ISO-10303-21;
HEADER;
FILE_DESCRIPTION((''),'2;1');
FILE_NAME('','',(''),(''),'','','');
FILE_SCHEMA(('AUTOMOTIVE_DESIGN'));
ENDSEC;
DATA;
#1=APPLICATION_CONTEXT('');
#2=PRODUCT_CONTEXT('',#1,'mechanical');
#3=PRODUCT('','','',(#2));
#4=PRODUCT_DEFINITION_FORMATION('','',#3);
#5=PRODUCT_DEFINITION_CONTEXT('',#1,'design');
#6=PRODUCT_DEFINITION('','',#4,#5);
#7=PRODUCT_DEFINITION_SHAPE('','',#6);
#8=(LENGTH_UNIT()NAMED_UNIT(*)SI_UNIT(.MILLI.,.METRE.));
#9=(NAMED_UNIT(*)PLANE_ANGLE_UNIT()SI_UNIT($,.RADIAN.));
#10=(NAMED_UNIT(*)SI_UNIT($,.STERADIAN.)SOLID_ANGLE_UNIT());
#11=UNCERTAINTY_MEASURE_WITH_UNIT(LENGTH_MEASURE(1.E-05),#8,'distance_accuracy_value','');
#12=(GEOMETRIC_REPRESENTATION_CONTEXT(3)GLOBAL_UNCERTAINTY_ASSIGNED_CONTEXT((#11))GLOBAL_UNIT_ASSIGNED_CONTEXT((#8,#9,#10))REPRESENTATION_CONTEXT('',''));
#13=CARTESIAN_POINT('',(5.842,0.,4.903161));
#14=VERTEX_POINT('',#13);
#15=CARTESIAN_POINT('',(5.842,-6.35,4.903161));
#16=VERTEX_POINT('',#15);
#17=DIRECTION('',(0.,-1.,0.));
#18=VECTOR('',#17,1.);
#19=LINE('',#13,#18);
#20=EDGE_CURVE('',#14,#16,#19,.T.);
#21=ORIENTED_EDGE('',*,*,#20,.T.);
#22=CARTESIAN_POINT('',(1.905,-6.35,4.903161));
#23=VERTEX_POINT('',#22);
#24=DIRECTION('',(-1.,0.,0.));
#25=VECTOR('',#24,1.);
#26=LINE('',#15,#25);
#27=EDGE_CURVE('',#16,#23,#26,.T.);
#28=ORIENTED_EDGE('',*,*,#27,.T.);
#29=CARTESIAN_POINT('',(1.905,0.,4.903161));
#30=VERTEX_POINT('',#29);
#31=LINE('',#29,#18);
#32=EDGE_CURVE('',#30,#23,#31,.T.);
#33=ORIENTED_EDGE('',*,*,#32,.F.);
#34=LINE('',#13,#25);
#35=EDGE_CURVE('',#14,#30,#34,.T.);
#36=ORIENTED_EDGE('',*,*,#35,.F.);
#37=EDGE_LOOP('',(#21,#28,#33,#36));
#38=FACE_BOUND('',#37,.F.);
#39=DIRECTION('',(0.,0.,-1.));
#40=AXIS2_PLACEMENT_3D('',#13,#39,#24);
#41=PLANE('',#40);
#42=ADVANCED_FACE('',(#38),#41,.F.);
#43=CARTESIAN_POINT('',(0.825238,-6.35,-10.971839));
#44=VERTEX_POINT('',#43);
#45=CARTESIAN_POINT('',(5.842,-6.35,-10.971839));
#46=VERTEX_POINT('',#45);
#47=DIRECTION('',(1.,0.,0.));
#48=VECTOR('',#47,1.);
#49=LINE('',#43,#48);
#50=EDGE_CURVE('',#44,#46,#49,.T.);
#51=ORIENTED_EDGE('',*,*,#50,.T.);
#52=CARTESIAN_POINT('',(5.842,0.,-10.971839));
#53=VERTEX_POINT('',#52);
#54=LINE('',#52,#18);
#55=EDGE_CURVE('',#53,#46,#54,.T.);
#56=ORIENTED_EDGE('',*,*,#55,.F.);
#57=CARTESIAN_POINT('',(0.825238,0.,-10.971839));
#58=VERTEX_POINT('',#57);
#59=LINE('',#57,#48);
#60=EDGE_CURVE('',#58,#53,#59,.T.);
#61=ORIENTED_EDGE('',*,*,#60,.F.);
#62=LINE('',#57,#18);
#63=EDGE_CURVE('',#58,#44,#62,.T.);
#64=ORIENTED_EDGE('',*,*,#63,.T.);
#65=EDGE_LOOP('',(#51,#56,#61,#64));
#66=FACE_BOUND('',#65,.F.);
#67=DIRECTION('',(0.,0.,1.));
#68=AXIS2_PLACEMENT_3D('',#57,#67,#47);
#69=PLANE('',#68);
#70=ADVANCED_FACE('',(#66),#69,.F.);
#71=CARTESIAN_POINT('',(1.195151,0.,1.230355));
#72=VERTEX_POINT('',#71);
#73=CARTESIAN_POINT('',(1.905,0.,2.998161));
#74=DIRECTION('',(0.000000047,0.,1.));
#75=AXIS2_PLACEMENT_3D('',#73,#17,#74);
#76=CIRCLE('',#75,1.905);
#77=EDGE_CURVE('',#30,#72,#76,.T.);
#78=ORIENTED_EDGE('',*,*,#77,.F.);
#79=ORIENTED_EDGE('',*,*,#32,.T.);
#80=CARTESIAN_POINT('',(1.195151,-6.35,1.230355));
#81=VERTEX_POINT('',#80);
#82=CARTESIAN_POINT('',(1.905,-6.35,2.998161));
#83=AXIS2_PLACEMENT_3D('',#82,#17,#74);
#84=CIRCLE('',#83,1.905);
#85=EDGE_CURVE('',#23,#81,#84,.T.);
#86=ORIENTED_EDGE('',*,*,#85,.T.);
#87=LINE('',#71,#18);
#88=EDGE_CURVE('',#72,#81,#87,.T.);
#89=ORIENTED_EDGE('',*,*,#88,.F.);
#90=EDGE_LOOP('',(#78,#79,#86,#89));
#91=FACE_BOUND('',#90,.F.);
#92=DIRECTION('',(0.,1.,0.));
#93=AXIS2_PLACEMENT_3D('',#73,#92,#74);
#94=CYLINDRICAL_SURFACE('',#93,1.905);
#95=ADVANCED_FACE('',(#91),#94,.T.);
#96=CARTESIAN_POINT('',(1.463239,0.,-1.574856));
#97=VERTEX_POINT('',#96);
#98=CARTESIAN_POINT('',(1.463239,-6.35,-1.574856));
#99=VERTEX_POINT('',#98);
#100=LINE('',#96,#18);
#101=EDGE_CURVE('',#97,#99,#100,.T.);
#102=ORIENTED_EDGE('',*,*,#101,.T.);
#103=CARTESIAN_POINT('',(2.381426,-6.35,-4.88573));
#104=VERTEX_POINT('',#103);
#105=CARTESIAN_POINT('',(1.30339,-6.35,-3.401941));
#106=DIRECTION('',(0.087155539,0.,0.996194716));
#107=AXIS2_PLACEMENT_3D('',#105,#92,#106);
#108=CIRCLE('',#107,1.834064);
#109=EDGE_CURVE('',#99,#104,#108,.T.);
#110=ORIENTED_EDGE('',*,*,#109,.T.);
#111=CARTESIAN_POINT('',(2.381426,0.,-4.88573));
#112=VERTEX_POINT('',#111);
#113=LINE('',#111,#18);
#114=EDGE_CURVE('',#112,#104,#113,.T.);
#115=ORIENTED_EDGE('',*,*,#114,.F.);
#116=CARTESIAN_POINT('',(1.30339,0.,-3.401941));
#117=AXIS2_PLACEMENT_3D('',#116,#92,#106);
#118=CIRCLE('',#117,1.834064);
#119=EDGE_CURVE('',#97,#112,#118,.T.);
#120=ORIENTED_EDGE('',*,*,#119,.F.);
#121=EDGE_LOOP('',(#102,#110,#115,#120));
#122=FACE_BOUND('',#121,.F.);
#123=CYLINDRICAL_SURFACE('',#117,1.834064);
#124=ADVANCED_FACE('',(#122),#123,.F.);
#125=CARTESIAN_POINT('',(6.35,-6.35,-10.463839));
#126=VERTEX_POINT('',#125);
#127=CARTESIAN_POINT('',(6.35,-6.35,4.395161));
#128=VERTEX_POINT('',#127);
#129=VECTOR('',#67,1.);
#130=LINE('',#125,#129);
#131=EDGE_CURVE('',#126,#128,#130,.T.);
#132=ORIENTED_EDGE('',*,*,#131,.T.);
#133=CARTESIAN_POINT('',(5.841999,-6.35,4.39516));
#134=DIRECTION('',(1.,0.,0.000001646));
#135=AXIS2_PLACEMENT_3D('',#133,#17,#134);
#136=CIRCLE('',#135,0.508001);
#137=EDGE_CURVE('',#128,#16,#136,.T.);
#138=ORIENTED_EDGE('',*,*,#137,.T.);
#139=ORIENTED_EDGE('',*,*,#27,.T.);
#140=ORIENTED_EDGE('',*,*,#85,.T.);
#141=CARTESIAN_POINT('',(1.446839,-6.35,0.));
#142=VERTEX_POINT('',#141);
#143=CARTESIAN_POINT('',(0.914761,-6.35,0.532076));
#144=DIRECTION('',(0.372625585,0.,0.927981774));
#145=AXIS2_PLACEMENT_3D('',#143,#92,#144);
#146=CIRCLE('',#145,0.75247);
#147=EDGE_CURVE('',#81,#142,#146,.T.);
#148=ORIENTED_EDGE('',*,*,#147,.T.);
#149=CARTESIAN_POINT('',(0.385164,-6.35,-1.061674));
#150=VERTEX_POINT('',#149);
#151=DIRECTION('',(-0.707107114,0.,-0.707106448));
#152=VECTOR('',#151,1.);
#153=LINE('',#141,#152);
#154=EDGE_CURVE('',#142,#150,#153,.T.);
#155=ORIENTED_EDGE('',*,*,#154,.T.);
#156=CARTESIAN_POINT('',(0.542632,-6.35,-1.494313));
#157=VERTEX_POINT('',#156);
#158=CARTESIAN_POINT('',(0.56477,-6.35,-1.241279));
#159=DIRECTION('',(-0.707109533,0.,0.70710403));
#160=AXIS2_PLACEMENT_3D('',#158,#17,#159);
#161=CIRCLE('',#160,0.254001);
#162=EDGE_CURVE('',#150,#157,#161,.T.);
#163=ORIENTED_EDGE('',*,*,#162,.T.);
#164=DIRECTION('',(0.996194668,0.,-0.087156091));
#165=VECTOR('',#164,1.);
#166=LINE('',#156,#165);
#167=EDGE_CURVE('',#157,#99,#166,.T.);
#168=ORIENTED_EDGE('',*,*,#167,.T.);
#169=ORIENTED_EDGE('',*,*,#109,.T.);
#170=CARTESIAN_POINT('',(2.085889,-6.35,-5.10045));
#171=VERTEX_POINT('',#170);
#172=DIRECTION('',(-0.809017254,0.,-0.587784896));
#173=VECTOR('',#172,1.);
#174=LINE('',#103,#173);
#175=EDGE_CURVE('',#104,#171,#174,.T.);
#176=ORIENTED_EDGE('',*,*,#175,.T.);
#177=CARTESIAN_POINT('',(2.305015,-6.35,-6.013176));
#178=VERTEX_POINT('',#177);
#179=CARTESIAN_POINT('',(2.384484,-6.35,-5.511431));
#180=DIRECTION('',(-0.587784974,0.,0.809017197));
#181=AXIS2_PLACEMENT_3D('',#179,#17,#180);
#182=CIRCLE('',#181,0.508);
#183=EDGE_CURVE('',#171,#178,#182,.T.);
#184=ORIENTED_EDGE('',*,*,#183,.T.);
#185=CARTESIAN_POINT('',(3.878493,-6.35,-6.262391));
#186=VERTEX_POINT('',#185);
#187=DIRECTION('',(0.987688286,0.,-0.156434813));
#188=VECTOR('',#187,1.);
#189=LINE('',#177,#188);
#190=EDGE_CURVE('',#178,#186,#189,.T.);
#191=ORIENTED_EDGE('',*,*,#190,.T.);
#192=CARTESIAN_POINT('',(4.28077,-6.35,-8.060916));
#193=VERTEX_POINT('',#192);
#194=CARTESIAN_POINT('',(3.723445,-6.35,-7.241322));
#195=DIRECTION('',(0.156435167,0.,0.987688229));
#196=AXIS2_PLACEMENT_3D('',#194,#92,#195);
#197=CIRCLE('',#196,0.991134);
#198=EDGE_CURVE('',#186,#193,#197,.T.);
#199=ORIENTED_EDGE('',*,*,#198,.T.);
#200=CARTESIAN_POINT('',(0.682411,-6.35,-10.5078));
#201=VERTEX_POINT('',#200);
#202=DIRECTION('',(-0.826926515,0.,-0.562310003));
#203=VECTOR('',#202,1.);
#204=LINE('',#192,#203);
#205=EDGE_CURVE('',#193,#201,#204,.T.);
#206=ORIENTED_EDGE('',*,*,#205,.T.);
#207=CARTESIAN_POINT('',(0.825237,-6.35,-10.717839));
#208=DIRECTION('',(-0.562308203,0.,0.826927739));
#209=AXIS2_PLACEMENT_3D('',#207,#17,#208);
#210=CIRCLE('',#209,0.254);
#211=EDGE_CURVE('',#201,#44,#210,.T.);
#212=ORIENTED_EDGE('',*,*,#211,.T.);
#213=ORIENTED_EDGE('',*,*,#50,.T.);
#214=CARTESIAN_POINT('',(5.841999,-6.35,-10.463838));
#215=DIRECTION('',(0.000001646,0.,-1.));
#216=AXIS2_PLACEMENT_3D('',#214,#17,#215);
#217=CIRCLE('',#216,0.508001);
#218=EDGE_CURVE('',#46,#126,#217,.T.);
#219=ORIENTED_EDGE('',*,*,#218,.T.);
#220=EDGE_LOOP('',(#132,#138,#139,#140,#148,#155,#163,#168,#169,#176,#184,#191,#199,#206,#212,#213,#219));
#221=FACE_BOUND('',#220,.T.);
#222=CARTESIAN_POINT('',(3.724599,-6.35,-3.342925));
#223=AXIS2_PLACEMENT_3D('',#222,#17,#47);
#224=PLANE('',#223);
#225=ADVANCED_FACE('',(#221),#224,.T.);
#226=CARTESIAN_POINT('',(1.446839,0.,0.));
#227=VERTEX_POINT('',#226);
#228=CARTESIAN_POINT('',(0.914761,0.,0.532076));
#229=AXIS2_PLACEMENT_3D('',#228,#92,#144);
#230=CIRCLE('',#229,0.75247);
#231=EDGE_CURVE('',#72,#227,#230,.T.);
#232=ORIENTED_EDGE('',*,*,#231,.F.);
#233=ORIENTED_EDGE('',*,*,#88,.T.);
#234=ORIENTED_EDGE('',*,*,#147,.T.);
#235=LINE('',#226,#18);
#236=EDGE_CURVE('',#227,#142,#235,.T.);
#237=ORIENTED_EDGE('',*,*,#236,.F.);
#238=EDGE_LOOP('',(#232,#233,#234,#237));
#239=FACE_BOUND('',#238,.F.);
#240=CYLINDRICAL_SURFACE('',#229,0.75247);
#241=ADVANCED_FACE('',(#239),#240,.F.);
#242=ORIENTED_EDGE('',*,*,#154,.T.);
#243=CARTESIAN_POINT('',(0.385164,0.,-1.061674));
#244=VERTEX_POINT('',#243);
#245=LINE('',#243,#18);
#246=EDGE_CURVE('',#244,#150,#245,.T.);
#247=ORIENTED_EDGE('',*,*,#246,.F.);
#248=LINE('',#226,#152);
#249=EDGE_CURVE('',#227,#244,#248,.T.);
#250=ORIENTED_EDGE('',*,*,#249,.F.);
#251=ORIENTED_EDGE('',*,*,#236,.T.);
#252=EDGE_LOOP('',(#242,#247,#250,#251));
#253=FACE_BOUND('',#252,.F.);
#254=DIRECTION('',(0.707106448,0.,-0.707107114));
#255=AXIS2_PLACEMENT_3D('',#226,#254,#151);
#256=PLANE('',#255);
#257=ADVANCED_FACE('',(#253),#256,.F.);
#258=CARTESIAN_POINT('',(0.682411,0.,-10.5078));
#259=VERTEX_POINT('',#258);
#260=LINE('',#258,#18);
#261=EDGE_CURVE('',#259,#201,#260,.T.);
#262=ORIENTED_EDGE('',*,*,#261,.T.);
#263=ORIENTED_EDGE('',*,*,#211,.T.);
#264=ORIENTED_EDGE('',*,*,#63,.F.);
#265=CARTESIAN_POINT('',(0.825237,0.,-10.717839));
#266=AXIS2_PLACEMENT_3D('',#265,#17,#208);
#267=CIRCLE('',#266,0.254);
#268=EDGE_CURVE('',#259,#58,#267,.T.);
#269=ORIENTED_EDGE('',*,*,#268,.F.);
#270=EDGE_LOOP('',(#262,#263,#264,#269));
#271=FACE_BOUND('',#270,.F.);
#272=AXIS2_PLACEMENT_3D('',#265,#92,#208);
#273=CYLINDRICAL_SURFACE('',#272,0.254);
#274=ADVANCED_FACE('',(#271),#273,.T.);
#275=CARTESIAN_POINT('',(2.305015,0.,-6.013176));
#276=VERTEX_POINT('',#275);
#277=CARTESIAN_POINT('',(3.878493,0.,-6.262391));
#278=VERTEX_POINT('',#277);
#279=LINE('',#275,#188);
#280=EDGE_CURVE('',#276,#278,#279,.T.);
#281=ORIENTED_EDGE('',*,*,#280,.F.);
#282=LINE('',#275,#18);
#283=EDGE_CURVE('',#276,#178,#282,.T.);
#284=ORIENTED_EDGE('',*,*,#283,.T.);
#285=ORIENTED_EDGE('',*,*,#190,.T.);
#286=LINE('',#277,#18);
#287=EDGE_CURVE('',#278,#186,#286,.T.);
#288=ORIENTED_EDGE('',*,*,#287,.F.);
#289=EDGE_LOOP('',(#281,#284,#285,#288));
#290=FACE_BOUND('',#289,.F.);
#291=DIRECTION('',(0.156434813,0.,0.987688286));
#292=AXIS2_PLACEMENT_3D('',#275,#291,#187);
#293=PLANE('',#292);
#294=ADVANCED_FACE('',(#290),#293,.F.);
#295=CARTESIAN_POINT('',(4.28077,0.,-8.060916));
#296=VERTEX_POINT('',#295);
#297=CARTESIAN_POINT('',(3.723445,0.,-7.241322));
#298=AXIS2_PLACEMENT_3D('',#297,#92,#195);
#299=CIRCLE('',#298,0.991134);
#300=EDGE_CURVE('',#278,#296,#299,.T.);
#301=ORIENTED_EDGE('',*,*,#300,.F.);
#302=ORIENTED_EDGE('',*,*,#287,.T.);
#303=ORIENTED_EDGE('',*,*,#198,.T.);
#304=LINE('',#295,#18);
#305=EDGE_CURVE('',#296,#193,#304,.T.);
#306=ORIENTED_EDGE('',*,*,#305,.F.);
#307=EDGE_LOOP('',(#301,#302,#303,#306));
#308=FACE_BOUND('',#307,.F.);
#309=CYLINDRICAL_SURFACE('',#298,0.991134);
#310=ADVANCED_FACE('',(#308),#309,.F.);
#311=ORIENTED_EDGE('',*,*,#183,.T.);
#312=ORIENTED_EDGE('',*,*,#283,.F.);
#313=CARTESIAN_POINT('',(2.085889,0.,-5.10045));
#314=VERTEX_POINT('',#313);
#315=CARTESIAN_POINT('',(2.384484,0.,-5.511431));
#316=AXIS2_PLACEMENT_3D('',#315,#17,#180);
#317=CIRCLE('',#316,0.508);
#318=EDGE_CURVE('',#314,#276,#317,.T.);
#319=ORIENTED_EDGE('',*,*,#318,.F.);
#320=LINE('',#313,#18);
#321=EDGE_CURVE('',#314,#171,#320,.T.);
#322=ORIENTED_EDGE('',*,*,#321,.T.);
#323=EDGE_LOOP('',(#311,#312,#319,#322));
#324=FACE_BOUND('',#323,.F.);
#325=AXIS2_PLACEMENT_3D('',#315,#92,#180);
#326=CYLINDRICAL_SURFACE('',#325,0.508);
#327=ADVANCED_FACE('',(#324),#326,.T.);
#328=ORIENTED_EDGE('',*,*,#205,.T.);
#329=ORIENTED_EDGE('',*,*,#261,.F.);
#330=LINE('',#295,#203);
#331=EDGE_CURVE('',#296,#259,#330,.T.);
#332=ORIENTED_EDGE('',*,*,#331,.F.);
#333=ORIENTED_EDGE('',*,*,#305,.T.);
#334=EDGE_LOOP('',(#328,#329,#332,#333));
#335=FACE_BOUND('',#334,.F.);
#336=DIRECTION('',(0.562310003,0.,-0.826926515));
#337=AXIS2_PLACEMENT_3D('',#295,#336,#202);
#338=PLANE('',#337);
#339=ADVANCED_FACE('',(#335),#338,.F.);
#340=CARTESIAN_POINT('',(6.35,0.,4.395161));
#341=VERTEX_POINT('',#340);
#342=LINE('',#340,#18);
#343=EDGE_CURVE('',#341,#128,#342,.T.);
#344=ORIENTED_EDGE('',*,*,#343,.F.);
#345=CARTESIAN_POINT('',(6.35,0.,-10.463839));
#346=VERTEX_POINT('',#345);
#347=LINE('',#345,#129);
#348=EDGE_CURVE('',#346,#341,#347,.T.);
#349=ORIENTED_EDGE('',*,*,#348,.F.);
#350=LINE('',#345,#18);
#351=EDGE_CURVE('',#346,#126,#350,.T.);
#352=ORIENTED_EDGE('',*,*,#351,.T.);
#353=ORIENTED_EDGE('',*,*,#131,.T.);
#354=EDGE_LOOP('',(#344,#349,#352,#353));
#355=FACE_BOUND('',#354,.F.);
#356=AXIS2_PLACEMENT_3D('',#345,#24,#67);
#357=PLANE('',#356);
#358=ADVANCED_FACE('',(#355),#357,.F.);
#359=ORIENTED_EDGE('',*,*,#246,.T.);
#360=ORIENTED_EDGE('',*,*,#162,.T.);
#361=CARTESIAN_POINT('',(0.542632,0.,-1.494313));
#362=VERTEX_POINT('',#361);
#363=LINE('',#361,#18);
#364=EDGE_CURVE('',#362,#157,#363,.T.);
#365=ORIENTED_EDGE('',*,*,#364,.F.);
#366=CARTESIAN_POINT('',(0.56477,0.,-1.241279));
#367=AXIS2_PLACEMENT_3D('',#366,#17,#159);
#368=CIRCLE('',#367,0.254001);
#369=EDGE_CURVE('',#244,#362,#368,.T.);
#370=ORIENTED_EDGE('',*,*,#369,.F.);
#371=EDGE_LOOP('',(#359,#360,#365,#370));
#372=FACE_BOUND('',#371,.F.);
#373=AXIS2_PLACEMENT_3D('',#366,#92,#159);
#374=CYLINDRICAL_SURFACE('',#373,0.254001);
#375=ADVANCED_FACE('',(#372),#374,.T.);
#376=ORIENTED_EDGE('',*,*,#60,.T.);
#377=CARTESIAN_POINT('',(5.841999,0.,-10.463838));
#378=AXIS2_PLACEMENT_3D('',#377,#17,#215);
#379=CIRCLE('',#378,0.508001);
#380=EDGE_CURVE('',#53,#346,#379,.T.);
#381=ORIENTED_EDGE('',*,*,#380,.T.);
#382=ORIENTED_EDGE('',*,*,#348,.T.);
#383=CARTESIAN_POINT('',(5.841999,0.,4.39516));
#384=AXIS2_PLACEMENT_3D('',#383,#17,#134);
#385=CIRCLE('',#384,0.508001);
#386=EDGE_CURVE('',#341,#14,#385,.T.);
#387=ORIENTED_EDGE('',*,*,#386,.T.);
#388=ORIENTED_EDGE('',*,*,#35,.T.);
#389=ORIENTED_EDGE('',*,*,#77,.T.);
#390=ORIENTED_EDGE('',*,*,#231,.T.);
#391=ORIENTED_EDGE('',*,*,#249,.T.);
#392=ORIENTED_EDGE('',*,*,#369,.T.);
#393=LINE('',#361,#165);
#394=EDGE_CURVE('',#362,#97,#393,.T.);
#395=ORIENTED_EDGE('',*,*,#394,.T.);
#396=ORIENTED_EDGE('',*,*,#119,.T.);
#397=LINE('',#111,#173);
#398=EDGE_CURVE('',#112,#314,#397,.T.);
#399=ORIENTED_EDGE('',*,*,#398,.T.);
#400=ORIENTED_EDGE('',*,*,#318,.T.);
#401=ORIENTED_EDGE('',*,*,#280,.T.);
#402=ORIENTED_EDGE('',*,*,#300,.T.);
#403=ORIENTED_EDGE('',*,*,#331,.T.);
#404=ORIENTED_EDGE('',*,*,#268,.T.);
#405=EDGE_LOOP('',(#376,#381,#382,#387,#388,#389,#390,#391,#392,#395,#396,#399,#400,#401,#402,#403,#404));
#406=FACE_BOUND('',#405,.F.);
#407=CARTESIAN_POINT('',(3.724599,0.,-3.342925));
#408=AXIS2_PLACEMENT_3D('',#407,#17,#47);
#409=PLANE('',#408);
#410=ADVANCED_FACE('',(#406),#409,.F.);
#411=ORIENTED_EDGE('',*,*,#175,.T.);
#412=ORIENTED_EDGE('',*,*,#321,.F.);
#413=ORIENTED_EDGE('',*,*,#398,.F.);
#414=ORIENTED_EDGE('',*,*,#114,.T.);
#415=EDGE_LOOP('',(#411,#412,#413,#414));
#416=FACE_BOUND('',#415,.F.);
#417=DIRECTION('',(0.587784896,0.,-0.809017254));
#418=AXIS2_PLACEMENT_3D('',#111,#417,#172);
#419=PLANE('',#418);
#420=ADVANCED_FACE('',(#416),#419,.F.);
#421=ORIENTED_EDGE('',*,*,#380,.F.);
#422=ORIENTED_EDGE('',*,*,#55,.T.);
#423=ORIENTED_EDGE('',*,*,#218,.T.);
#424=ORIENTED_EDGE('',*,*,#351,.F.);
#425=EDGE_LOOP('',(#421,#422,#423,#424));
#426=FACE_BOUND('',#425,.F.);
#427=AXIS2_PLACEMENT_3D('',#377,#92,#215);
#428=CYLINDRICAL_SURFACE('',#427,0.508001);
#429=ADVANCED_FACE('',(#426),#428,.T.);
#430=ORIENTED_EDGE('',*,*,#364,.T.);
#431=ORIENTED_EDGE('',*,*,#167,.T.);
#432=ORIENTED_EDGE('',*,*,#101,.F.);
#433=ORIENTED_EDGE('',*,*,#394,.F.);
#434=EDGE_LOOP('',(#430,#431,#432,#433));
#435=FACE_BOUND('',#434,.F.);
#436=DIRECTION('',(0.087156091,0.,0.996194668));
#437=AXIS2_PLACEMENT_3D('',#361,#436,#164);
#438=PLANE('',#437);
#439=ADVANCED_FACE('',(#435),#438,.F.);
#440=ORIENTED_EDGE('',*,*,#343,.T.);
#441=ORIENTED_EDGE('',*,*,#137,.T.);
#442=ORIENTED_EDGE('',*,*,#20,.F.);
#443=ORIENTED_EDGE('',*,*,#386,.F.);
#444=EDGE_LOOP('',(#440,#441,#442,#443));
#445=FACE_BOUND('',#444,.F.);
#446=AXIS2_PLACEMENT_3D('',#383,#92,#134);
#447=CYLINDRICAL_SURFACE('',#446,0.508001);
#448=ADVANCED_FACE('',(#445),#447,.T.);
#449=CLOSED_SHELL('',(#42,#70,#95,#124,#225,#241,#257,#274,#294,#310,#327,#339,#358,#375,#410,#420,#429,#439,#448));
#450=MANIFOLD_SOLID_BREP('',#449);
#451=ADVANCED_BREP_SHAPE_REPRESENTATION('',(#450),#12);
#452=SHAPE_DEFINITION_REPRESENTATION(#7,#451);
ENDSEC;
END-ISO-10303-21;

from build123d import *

# Parameters (mm, degrees)
F1_DEPTH = 6.35


with BuildPart() as f1:
    # F0 (on Front) → F1 (new body)
    with BuildSketch(Plane.XZ):
        with BuildLine():
            Line((6.35, -6.653839), (6.35, 4.395161))
            ThreePointArc((6.35, 4.395161), (6.20121, 4.754371), (5.842, 4.903161))
            Line((5.842, 4.903161), (1.905, 4.903161))
            ThreePointArc((1.905, 4.903161), (0.034613, 3.359654), (1.195151, 1.230355))
            ThreePointArc((1.195151, 1.230355), (1.651965, 0.682882), (1.446839, 0))
            Line((1.446839, 0), (0.385164, -1.061674))
            ThreePointArc((0.385164, -1.061674), (0.326088, -1.328153), (0.542632, -1.494313))
            Line((0.542632, -1.494313), (1.463239, -1.574856))
            ThreePointArc((1.463239, -1.574856), (3.07075, -2.911808), (2.381426, -4.88573))
            Line((2.381426, -4.88573), (2.085889, -5.10045))
            ThreePointArc((2.085889, -5.10045), (1.89052, -5.630021), (2.305015, -6.013176))
            Line((2.305015, -6.013176), (3.878493, -6.262391))
            ThreePointArc((3.878493, -6.262391), (4.690679, -7.02498), (4.28077, -8.060916))
            Line((4.28077, -8.060916), (0.682411, -10.5078))
            ThreePointArc((0.682411, -10.5078), (0.582476, -10.792558), (0.825238, -10.971839))
            Line((0.825238, -10.971839), (5.842, -10.971839))
            ThreePointArc((5.842, -10.971839), (6.20121, -10.823049), (6.35, -10.463839))
            Line((6.35, -10.463839), (6.35, -6.653839))
        make_face()
    extrude(amount=F1_DEPTH)


solid = f1.part
